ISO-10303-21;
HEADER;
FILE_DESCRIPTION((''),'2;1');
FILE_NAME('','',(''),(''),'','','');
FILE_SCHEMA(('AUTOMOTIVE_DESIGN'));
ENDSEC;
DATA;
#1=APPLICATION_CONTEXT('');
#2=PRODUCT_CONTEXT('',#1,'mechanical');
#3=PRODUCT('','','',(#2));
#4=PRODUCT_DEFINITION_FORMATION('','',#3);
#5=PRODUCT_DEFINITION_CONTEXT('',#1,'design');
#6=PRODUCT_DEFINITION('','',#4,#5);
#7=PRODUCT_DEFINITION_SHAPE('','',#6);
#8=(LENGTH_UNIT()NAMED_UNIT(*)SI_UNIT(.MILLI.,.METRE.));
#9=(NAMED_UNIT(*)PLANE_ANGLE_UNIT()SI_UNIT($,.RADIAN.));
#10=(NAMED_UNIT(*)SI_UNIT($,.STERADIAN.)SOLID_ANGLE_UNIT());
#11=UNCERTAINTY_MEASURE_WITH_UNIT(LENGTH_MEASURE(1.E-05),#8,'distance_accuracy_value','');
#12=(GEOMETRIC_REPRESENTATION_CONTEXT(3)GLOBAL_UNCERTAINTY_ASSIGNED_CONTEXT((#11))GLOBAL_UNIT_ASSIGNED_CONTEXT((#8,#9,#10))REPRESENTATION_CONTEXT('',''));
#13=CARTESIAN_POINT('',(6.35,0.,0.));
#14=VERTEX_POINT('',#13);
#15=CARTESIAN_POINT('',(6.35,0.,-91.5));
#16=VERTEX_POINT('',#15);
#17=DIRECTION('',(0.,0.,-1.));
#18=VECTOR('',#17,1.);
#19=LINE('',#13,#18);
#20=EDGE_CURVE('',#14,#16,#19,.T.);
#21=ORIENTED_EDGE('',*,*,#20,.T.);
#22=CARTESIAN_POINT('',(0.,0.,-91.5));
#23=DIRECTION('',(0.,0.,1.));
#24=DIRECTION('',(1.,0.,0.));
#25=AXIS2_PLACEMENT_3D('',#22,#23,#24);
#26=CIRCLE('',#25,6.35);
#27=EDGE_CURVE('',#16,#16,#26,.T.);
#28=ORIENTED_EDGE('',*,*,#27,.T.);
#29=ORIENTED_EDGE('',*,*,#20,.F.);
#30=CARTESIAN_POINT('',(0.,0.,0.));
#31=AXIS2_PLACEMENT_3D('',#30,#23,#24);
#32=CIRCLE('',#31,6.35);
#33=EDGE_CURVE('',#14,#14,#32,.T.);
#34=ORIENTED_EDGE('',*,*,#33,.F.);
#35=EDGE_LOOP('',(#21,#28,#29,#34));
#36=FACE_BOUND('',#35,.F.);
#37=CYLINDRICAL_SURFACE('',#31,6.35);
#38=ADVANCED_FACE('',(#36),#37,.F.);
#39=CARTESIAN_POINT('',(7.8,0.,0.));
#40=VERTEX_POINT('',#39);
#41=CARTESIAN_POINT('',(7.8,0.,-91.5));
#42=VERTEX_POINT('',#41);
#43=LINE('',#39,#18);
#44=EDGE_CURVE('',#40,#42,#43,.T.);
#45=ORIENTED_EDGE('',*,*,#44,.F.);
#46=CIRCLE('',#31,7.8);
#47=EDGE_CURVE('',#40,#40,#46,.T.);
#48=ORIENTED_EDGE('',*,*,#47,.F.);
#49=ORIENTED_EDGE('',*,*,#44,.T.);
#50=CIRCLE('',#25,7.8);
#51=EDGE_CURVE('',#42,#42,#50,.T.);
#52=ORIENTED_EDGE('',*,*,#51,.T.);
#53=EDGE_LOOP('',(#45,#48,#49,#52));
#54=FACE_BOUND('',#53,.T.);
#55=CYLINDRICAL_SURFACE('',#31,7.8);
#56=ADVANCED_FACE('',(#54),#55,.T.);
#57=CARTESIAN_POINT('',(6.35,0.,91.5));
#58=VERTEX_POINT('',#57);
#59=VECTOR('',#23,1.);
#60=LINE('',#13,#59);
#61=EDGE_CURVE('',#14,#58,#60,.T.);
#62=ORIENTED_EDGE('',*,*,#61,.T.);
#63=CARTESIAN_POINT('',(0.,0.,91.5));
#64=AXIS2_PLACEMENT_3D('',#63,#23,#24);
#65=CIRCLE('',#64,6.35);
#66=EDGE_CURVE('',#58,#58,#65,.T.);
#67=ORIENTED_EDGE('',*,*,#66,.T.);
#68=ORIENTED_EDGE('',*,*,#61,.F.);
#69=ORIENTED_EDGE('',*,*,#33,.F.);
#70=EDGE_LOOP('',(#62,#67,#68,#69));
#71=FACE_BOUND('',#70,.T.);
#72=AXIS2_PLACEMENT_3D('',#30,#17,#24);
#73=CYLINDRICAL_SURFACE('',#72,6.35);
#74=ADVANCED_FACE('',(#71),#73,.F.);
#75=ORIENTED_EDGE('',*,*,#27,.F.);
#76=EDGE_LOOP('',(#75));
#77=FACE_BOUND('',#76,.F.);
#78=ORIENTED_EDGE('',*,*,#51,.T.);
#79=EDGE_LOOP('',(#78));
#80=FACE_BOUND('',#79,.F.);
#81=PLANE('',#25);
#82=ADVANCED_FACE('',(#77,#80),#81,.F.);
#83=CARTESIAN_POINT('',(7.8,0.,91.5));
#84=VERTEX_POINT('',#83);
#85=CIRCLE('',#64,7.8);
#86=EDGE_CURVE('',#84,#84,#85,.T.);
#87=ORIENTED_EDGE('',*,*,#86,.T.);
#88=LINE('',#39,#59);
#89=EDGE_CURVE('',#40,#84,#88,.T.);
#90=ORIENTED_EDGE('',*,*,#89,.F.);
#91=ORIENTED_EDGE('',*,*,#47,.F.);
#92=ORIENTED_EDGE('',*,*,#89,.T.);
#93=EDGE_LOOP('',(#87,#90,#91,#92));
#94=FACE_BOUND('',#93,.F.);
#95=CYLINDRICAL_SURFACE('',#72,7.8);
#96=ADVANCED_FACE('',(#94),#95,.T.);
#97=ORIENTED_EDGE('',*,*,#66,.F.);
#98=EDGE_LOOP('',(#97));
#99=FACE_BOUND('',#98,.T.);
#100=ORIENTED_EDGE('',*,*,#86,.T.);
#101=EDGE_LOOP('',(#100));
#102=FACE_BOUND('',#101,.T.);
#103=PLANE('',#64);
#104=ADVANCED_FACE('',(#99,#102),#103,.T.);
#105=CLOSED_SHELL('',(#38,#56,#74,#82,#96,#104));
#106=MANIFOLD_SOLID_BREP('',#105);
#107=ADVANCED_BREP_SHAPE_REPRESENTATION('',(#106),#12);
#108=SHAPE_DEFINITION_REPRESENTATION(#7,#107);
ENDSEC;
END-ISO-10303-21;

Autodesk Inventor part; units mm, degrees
ref_plane "YZ Plane" through (0, 0, 0) normal (1, 0, 0) x (0, 1, 0)
ref_plane "XZ Plane" through (0, 0, 0) normal (0, 1, 0) x (-1, 0, 0)
ref_plane "XY Plane" through (0, 0, 0) normal (0, 0, 1) x (1, 0, 0)
sketch "Sketch1" plane through (0, 0, 0) normal (0, 0, 1) x (1, 0, 0)
  circle A0 centre (0, 0) radius 7.8
  circle A1 centre (0, 0) radius 6.35
  dimension "d0" = 15.6
  dimension "d1" = 12.7
extrude "Extrusion1" add sketch "Sketch1" along normal mid plane 183
properties part number "Tubo2" material "PVC, Unplasticized"
